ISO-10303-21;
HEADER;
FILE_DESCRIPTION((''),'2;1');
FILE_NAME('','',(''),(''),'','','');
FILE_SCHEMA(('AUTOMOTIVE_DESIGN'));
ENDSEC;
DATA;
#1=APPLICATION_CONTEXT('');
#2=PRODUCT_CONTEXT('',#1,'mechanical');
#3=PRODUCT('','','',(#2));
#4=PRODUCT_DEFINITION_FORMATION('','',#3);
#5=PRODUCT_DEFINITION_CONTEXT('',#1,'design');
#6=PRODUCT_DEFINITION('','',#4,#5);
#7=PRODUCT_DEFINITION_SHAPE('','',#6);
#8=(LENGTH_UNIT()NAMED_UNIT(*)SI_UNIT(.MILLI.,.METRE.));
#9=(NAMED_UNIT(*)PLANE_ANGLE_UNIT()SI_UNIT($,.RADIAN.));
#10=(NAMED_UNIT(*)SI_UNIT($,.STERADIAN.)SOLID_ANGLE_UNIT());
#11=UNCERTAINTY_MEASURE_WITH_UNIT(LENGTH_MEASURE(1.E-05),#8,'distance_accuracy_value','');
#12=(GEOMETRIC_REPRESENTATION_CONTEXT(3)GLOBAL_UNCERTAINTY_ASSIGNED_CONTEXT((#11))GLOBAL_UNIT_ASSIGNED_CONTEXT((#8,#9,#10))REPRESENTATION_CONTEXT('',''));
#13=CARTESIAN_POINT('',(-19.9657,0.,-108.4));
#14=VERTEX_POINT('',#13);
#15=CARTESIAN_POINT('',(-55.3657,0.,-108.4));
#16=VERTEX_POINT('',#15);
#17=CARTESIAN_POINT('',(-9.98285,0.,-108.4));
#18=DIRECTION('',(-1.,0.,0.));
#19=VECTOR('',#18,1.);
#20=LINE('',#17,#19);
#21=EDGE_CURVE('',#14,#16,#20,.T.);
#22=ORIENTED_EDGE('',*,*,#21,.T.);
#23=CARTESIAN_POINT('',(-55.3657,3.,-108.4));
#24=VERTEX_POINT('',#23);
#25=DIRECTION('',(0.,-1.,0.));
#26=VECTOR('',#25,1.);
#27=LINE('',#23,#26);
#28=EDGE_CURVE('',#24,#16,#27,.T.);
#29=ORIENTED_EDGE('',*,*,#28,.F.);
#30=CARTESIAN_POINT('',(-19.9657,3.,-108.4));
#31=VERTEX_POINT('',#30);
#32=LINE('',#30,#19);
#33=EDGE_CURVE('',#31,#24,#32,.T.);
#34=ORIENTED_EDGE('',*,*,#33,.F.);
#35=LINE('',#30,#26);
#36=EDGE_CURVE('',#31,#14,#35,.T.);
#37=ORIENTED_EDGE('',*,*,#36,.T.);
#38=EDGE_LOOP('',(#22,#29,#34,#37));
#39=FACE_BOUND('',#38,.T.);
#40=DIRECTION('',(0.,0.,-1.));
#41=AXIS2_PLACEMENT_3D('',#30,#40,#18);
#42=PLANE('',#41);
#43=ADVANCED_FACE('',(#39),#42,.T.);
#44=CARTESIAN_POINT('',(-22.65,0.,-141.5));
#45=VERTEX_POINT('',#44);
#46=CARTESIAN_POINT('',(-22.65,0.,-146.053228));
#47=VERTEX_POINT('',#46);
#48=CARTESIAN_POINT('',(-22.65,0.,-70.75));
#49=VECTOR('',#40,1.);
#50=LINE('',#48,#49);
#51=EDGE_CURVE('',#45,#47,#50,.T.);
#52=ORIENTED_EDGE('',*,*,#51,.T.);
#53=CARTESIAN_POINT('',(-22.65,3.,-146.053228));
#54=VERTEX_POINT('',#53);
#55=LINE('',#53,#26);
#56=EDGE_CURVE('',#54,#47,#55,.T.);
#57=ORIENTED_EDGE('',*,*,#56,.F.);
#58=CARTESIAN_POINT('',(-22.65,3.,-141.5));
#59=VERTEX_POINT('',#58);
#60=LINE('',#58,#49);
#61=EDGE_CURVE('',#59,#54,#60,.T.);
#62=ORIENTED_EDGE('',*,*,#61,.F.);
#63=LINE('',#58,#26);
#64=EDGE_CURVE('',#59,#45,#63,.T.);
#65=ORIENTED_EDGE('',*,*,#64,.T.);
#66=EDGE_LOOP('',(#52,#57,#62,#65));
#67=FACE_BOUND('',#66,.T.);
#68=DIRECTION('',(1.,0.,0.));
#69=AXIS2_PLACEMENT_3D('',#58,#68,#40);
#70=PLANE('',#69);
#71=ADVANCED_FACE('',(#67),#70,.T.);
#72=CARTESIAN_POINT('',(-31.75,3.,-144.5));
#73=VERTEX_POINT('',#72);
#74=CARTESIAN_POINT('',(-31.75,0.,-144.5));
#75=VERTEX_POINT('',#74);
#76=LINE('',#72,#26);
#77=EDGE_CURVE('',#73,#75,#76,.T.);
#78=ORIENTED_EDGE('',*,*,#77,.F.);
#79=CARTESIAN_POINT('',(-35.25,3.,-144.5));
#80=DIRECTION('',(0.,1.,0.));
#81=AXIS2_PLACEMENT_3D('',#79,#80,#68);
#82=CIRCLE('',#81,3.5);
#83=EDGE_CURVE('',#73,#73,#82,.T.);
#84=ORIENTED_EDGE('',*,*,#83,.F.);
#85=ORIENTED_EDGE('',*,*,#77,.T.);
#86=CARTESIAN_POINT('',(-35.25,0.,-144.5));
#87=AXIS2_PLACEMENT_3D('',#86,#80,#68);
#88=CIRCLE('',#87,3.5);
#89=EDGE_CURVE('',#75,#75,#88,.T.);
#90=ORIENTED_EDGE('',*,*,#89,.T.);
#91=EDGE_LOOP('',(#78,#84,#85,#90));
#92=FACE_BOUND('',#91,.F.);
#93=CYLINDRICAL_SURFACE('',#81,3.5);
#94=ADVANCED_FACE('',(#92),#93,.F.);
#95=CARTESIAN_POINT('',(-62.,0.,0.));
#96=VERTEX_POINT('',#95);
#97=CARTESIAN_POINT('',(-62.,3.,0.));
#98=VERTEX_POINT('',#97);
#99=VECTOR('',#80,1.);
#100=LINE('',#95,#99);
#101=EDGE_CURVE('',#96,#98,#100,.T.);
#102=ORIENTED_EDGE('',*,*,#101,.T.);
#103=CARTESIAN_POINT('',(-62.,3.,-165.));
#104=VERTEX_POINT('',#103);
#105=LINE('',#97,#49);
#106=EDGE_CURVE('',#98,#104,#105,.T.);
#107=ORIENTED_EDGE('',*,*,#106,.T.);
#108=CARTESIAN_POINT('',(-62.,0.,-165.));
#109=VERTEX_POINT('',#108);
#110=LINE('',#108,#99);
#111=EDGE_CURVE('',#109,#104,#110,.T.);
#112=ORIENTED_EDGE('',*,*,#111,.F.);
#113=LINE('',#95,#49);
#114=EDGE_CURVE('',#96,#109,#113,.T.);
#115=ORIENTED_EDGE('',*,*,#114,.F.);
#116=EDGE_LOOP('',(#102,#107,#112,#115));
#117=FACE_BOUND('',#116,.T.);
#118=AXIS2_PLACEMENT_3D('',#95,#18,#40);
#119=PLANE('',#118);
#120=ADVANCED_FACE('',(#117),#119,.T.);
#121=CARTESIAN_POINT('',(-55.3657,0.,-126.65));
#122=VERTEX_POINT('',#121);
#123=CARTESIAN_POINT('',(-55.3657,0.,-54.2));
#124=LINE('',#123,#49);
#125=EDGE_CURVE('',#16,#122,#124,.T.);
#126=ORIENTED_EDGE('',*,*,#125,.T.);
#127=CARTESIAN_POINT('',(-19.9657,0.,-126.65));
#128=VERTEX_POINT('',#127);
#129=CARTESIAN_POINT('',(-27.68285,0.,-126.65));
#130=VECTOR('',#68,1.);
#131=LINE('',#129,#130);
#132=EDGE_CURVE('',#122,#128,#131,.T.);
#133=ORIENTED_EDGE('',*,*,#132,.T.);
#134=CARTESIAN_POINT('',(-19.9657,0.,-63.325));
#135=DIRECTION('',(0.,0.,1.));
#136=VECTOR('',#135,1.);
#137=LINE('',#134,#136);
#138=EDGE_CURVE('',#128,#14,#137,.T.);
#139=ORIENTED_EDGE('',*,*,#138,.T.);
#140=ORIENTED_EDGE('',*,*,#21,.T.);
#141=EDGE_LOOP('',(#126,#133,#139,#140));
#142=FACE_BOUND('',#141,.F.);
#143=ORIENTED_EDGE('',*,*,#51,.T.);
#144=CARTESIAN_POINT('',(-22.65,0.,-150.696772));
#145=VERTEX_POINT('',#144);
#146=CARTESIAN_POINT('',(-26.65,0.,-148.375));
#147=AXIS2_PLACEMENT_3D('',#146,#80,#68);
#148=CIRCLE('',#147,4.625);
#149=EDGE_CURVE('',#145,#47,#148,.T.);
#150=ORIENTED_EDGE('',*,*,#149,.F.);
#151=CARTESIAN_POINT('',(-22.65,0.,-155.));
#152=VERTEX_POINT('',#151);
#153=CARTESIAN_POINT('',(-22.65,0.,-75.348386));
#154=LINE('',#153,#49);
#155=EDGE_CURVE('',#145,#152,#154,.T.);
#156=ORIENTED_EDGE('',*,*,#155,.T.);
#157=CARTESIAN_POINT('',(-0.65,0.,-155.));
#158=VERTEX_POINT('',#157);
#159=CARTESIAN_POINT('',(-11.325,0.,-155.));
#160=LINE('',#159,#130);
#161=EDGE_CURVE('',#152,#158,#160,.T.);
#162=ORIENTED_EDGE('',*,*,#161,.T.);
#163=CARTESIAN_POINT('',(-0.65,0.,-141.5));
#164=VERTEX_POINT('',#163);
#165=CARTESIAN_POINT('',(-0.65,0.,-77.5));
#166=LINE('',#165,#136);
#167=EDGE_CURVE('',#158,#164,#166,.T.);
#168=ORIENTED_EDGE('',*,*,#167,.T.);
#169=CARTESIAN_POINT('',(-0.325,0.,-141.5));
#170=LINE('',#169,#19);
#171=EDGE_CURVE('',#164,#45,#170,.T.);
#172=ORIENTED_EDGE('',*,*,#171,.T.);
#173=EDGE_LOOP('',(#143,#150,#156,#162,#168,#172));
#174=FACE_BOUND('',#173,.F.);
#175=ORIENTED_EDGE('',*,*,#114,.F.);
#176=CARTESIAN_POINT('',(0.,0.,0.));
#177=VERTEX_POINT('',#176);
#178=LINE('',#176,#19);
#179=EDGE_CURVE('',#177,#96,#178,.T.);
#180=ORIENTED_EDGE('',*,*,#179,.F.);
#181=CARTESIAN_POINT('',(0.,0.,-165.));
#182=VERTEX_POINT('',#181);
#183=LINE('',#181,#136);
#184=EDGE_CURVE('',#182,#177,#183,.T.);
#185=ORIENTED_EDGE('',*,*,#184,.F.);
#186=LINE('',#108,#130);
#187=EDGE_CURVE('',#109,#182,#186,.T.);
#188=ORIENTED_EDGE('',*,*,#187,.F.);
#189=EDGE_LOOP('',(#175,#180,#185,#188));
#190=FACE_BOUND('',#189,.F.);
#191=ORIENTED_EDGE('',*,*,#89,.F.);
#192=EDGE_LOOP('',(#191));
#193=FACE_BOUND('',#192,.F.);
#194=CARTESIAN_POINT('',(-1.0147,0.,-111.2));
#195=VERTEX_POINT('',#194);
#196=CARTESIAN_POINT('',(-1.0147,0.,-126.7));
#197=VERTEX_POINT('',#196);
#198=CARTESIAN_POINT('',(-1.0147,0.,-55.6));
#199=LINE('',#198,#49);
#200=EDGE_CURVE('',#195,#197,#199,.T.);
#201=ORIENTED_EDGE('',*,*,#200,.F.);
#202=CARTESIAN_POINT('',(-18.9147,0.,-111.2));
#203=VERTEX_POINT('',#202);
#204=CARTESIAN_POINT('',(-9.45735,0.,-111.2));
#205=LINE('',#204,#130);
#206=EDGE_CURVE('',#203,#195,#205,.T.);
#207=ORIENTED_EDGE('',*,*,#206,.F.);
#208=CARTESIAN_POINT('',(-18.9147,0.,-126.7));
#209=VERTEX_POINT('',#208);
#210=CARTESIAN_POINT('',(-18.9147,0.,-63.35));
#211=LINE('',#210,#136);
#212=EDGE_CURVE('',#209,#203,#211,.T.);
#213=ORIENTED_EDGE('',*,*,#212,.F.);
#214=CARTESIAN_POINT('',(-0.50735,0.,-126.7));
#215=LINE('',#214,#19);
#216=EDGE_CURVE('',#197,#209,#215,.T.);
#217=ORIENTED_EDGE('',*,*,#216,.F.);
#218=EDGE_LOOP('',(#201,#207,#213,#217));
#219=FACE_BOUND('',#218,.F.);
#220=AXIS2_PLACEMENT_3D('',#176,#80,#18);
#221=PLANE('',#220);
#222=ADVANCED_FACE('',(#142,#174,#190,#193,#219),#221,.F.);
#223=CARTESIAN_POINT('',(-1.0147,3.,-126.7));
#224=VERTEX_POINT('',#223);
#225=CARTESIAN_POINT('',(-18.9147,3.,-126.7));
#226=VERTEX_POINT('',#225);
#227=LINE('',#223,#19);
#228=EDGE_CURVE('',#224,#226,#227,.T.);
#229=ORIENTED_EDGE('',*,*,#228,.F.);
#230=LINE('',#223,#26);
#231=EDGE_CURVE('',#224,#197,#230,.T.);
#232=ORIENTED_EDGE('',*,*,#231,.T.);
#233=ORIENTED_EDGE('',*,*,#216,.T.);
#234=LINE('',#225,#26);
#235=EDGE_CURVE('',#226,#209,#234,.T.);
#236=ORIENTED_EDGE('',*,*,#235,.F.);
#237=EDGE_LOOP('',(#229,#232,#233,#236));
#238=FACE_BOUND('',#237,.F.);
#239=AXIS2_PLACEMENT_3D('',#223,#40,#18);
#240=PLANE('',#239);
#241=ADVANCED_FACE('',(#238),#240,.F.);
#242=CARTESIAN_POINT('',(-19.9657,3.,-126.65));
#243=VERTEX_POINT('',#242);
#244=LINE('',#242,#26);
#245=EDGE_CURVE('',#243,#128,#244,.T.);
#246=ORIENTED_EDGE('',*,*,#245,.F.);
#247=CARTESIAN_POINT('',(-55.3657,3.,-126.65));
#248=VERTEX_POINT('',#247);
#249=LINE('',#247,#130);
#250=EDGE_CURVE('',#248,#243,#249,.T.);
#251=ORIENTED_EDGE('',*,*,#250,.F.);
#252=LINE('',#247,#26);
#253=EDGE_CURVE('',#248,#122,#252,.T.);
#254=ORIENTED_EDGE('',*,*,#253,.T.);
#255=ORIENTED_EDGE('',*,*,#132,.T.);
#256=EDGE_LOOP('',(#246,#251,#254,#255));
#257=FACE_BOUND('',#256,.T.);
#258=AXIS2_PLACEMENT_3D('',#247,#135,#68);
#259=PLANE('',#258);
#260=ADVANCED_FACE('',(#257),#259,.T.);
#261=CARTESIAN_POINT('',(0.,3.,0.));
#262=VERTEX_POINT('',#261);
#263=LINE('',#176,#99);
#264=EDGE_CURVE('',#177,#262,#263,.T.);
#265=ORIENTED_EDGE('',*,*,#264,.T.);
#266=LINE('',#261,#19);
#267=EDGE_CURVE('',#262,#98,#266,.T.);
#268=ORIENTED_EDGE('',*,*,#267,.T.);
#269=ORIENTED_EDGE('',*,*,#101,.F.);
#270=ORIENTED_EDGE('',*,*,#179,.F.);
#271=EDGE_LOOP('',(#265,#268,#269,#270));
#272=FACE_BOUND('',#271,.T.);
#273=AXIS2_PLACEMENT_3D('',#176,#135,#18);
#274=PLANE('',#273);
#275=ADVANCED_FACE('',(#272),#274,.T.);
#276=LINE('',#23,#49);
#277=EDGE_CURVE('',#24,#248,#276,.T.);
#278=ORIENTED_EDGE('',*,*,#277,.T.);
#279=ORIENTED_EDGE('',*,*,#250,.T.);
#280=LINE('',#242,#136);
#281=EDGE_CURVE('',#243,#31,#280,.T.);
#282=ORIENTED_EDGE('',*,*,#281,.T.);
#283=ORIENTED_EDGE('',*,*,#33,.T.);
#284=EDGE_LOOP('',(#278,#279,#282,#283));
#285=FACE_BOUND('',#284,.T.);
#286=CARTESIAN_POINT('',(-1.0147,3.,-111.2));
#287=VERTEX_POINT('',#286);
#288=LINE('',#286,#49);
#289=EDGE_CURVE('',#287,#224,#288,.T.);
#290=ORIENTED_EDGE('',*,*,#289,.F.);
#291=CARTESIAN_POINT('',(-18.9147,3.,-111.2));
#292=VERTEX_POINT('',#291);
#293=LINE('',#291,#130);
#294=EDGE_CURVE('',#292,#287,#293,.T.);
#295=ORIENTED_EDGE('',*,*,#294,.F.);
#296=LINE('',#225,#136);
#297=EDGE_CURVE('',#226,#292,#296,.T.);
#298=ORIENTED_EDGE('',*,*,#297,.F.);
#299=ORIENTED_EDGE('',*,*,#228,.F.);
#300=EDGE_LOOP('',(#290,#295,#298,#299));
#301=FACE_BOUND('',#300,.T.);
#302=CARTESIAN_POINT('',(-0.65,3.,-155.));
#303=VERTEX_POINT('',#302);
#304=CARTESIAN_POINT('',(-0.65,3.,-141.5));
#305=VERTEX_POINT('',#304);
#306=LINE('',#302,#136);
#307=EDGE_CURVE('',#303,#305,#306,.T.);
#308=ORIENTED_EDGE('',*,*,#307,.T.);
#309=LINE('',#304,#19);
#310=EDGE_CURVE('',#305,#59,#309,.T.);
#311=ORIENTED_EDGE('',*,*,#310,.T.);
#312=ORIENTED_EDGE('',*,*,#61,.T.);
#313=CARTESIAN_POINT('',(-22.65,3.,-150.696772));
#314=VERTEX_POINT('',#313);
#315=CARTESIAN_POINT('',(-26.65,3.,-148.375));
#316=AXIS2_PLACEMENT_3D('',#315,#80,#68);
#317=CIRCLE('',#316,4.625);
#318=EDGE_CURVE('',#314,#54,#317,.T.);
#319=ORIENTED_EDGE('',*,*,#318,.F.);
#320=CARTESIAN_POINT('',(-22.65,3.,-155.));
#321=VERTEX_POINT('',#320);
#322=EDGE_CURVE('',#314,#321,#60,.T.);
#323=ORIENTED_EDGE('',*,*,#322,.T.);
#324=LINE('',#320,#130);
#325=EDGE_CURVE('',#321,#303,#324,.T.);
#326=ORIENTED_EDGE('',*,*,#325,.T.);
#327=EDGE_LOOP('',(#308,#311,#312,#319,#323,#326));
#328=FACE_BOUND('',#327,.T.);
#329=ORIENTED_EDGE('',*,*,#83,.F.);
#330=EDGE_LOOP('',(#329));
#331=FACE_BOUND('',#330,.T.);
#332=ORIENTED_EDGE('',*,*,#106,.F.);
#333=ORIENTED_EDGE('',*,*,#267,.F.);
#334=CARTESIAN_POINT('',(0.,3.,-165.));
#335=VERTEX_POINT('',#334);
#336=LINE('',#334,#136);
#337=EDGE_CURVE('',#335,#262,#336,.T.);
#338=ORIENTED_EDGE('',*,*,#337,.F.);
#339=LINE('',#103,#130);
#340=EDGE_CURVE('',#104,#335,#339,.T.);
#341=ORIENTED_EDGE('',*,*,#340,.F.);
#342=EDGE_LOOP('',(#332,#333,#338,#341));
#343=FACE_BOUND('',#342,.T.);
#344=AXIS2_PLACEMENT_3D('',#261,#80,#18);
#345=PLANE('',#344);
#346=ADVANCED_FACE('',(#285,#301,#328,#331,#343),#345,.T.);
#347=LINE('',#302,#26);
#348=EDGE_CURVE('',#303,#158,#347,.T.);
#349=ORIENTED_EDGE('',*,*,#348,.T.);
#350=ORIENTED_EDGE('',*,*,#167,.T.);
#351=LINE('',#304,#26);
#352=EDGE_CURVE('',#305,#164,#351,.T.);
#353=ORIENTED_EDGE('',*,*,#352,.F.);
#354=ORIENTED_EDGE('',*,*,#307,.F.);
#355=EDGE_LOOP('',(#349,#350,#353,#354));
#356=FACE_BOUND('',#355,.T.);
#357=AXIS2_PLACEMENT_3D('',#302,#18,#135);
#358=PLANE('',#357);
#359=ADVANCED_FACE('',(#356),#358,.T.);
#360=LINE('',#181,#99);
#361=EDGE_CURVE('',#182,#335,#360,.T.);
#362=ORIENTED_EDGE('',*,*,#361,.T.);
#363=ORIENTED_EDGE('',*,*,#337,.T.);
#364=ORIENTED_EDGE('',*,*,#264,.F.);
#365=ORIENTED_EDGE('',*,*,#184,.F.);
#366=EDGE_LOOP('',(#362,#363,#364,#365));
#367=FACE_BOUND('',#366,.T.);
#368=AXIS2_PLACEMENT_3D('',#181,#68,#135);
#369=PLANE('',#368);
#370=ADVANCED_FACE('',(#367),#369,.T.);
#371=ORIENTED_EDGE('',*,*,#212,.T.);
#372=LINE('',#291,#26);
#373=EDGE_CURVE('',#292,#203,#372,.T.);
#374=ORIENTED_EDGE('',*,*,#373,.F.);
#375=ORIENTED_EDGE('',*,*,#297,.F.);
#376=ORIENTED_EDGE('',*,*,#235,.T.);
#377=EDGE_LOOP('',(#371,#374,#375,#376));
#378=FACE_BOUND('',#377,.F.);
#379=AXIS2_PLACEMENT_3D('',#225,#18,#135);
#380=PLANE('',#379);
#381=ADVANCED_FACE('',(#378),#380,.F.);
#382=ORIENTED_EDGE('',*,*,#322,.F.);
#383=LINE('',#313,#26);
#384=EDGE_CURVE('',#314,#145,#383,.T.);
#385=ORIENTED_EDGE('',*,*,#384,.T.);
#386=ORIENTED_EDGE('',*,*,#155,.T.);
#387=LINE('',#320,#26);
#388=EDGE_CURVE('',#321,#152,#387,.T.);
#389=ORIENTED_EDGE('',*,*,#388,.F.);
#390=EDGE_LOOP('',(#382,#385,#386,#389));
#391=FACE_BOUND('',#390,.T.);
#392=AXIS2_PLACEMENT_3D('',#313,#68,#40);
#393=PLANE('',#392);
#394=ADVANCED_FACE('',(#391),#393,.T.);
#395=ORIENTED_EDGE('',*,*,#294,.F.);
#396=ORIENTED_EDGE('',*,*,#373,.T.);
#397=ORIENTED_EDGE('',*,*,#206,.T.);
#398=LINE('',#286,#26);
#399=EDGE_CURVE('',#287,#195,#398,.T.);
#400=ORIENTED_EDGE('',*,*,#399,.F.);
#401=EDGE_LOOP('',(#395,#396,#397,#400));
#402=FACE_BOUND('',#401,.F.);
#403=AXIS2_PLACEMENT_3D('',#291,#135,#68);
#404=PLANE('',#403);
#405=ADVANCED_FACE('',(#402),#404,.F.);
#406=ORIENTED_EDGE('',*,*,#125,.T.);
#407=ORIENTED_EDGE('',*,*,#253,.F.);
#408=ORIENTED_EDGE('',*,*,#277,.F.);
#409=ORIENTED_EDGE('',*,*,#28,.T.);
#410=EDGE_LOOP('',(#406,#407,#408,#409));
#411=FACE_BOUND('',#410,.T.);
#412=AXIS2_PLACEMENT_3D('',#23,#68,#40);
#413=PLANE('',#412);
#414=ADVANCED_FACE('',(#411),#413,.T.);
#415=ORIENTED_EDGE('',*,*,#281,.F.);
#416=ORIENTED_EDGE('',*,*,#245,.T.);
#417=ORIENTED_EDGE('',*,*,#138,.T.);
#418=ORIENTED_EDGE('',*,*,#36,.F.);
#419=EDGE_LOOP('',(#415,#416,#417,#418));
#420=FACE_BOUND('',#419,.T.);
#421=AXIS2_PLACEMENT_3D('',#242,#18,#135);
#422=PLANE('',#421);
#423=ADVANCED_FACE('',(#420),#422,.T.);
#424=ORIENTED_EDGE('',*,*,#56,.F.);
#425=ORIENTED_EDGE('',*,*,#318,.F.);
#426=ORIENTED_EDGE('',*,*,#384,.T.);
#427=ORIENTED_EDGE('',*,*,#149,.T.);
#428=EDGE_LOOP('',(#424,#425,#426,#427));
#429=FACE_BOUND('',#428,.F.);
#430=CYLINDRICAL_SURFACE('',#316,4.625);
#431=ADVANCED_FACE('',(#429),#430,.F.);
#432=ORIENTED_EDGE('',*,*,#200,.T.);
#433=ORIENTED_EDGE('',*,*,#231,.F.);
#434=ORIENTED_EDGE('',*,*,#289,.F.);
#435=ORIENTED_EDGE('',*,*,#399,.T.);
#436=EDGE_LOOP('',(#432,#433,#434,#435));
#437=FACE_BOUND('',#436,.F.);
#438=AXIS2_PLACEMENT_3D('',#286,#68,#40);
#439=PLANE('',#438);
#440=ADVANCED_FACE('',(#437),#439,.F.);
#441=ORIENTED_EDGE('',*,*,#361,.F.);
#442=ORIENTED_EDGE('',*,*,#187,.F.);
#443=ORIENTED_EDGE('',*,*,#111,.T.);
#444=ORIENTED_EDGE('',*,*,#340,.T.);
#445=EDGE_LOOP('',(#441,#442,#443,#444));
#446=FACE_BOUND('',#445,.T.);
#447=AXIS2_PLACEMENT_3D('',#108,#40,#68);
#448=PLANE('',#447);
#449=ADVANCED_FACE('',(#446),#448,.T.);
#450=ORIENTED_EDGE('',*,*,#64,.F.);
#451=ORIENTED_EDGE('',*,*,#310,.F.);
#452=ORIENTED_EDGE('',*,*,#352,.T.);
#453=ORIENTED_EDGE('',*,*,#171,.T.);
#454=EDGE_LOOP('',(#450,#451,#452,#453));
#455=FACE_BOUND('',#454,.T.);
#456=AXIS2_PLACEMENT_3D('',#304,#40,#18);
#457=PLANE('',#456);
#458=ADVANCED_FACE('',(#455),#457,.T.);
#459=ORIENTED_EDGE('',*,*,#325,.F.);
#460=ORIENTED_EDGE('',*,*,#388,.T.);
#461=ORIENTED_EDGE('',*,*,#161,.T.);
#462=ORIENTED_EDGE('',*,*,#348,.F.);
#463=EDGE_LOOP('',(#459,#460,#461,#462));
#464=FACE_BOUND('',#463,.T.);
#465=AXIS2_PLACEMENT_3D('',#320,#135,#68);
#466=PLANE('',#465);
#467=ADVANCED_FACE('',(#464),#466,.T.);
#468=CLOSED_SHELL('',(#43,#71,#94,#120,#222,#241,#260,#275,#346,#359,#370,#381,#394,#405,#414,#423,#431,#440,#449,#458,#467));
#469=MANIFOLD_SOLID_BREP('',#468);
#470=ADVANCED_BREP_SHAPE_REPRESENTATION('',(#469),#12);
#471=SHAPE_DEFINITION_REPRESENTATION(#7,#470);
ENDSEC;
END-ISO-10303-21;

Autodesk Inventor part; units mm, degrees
ref_plane "YZ Plane" through (0, 0, 0) normal (1, 0, 0) x (0, 1, 0)
ref_plane "XZ Plane" through (0, 0, 0) normal (0, 1, 0) x (-1, 0, 0)
ref_plane "XY Plane" through (0, 0, 0) normal (0, 0, 1) x (1, 0, 0)
sketch "Sketch1" plane through (0, 0, 0) normal (0, 1, 0) x (-1, 0, 0)
  line L0 (0, 0) -> (62, 0)
  line L1 (62, 0) -> (62, -165)
  line L2 (62, -165) -> (0, -165)
  line L3 (0, -165) -> (0, 0)
  dimension "d0" = 165
  dimension "d1" = 62
extrude "Extrusion1" add sketch "Sketch1" along normal blind 3
sketch "Sketch2" plane through (0, 3, 0) normal (0, 1, 0) x (1, 0, 0)
  line L0 (-62, 165) -> (-62, 0)
  line L1 (3, 165) -> (-127, 165)
  circle A0 centre (-26.65, 148.375) radius 3.125
  line L2 (-18.9147, 111.2) -> (-1.0147, 111.2)
  line L3 (-1.0147, 111.2) -> (-1.0147, 126.7)
  line L4 (-1.0147, 126.7) -> (-18.9147, 126.7)
  line L5 (-18.9147, 126.7) -> (-18.9147, 111.2)
  line L6 (-17.6147, 112.2) -> (-2.3147, 112.2)
  line L7 (-7.804, 125.7) -> (-2.9647, 125.7)
  line L8 (-2.0147, 125.4) -> (-2.0147, 112.5)
  line L9 (-17.9147, 112.5) -> (-17.9147, 125.4)
  line L10 (-19.9657, 108.4) -> (-55.3657, 108.4)
  line L11 (-55.3657, 108.4) -> (-55.3657, 126.65)
  line L12 (-55.3657, 126.65) -> (-19.9657, 126.65)
  line L13 (-19.9657, 126.65) -> (-19.9657, 108.4)
  line L14 (-33.4157, 109.4) -> (-23.5157, 109.4)
  line L15 (-51.8157, 109.4) -> (-41.9157, 109.4)
  line L16 (-54.3657, 123.1) -> (-54.3657, 111.95)
  line L17 (-46.9157, 125.65) -> (-51.8157, 125.65)
  line L18 (-23.5157, 125.65) -> (-28.4157, 125.65)
  line L19 (-20.9657, 111.95) -> (-20.9657, 123.1)
  circle A1 centre (-26.65, 148.375) radius 4.625
  circle A2 centre (-35.25, 144.5) radius 3.5
  circle A3 centre (-35.25, 144.5) radius 2.5
  line L20 (-0.65, 141.5) -> (-22.65, 141.5)
  line L21 (-22.65, 141.5) -> (-22.65, 155)
  line L22 (-22.65, 155) -> (-0.65, 155)
  line L23 (-0.65, 155) -> (-0.65, 141.5)
  line L24 (-21.65, 142) -> (-1.65, 142)
  line L25 (-1.65, 142) -> (-1.65, 153)
  line L26 (-21.65, 153) -> (-1.65, 153)
  line L27 (-21.65, 142) -> (-21.65, 153)
  line L28 (0, 165) -> (-62, 165) projected
  line L29 (-62, 165) -> (-62, 0) projected
  point P0 (-35.25, 147)
  point P1 (-21.65, 147.5)
  point P2 (-22.65, 150.6968)
  point P3 (-22.65, 146.0532)
  dimension "d4" = 1
  dimension "d5" = 1
  dimension "d6" = 1
  dimension "d7" = 1
  dimension "d8" = 1
  dimension "d9" = 1
  dimension "d10" = 1
  dimension "d11" = 1
  dimension "d12" = 1.5
  dimension "d13" = 1
  dimension "d14" = 0.5
  dimension "d15" = 2
  dimension "d16" = 1
  dimension "d17" = 1
  dimension "d18" = 9.25
  dimension "d19" = 7
  dimension "d20" = 39.3
  dimension "d21" = 53.8
  dimension "d22" = 10
  dimension "d23" = 23.5
  dimension "d24" = 39.35
  dimension "d25" = 55.6
  dimension "d26" = 39.35
  dimension "d27" = 55.6
  dimension "d28" = 0.3647
  dimension "d29" = 17.2647
  dimension "d30" = 19.3157
  dimension "d31" = 21
  dimension "d32" = 53.7157
  dimension "d33" = 61.35
  dimension "d36" = 3.65
  dimension "d37" = 39.6
  dimension "d38" = 52.5
  dimension "d39" = 1.6647
  dimension "d40" = 2.3147
  dimension "d41" = 7.154
  dimension "d42" = 16.9647
  dimension "d43" = 39.6
  dimension "d44" = 52.5
  dimension "d45" = 41.9
  dimension "d46" = 53.05
  dimension "d47" = 22.8657
  dimension "d48" = 22.8657
  dimension "d49" = 26
  dimension "d50" = 27.7657
  dimension "d51" = 32.7657
  dimension "d52" = 18
  dimension "d53" = 34.6
  dimension "d54" = 34.6
  dimension "d55" = 41.2657
  dimension "d56" = 46.2657
  dimension "d57" = 51.1657
  dimension "d58" = 51.1657
  dimension "d59" = 41.9
  dimension "d60" = 53.05
  dimension "d61" = 0
  dimension "d62" = 165
  dimension "d63" = 126.35
extrude "Extrusion2" cut sketch "Sketch2" against normal through all contours A0 | L5 L4 L3 L2 | L10 L11 L12 L13 | A1 L21 | A1 L21 L22 L23 L20 | L21 A1 | A2 | A3 | L27 L26 L25 L24
properties part number "acrylicBackPanel"
